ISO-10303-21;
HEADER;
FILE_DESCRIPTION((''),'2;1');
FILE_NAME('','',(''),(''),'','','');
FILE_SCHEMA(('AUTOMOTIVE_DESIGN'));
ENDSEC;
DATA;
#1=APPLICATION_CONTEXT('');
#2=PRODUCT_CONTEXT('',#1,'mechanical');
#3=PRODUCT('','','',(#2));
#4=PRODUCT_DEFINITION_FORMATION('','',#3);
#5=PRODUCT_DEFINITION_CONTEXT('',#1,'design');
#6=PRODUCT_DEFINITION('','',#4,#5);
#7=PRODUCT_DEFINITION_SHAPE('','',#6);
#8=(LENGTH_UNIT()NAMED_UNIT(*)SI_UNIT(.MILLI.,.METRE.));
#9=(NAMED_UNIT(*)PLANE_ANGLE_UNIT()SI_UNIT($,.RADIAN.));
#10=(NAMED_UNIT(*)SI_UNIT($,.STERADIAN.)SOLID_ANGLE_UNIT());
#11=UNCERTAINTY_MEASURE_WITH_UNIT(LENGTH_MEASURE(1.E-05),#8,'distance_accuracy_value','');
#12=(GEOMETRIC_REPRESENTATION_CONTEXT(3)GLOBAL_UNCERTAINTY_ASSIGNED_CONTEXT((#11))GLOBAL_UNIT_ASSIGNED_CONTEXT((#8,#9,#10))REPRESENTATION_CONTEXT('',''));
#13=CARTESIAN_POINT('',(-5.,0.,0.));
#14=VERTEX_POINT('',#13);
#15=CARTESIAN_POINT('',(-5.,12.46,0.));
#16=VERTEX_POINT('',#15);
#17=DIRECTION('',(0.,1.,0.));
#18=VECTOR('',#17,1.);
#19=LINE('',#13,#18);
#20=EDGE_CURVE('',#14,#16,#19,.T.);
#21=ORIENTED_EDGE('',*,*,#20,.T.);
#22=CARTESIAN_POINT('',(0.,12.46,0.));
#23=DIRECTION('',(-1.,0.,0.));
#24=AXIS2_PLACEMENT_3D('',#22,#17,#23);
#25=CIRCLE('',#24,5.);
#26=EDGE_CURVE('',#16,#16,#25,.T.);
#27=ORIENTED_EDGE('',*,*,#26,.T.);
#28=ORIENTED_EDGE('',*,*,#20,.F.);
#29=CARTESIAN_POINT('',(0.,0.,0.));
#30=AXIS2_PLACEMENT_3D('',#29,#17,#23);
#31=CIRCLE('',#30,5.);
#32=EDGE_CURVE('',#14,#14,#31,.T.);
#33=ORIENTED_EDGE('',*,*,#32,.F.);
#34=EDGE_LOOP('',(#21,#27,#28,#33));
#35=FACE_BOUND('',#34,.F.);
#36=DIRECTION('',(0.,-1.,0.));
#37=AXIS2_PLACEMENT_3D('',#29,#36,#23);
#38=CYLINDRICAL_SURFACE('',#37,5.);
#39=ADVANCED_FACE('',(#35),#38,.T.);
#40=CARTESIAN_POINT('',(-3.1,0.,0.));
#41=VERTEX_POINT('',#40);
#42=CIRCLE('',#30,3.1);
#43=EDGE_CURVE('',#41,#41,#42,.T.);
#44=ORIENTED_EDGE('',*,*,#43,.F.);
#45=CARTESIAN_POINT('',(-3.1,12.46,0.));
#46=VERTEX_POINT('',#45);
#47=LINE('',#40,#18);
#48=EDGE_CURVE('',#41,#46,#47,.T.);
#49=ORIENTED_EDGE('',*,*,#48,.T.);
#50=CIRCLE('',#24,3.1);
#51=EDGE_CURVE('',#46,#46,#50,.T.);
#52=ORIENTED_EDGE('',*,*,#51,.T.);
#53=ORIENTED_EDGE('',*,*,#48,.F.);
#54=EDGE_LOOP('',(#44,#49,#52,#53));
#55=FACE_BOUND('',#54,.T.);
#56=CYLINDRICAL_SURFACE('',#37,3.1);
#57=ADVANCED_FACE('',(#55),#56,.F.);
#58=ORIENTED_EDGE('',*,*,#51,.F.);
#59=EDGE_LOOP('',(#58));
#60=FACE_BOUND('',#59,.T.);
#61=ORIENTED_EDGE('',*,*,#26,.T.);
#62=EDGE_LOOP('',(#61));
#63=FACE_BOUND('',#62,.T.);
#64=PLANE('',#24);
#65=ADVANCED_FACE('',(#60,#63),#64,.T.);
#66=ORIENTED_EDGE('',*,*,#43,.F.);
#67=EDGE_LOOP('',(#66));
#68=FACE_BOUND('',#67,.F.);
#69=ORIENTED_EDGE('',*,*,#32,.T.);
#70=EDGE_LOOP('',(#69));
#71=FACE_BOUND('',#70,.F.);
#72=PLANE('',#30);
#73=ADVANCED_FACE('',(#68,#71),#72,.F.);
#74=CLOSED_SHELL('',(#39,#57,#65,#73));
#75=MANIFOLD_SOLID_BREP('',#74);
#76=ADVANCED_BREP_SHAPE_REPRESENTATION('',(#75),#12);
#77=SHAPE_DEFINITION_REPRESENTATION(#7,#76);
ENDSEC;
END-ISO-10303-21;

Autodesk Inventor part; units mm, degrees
ref_plane "YZ Plane" through (0, 0, 0) normal (1, 0, 0) x (0, 1, 0)
ref_plane "XZ Plane" through (0, 0, 0) normal (0, 1, 0) x (-1, 0, 0)
ref_plane "XY Plane" through (0, 0, 0) normal (0, 0, 1) x (1, 0, 0)
sketch "Sketch1" plane through (0, 0, 0) normal (0, 1, 0) x (-1, 0, 0)
  circle A0 centre (0, 0) radius 3.1
  circle A1 centre (0, 0) radius 5
  dimension "d0" = 6.2
  dimension "d1" = 10
extrude "Extrusion1" add sketch "Sketch1" along normal blind 12.46
properties part number "rollerdistance" material "ABS Plastic"
